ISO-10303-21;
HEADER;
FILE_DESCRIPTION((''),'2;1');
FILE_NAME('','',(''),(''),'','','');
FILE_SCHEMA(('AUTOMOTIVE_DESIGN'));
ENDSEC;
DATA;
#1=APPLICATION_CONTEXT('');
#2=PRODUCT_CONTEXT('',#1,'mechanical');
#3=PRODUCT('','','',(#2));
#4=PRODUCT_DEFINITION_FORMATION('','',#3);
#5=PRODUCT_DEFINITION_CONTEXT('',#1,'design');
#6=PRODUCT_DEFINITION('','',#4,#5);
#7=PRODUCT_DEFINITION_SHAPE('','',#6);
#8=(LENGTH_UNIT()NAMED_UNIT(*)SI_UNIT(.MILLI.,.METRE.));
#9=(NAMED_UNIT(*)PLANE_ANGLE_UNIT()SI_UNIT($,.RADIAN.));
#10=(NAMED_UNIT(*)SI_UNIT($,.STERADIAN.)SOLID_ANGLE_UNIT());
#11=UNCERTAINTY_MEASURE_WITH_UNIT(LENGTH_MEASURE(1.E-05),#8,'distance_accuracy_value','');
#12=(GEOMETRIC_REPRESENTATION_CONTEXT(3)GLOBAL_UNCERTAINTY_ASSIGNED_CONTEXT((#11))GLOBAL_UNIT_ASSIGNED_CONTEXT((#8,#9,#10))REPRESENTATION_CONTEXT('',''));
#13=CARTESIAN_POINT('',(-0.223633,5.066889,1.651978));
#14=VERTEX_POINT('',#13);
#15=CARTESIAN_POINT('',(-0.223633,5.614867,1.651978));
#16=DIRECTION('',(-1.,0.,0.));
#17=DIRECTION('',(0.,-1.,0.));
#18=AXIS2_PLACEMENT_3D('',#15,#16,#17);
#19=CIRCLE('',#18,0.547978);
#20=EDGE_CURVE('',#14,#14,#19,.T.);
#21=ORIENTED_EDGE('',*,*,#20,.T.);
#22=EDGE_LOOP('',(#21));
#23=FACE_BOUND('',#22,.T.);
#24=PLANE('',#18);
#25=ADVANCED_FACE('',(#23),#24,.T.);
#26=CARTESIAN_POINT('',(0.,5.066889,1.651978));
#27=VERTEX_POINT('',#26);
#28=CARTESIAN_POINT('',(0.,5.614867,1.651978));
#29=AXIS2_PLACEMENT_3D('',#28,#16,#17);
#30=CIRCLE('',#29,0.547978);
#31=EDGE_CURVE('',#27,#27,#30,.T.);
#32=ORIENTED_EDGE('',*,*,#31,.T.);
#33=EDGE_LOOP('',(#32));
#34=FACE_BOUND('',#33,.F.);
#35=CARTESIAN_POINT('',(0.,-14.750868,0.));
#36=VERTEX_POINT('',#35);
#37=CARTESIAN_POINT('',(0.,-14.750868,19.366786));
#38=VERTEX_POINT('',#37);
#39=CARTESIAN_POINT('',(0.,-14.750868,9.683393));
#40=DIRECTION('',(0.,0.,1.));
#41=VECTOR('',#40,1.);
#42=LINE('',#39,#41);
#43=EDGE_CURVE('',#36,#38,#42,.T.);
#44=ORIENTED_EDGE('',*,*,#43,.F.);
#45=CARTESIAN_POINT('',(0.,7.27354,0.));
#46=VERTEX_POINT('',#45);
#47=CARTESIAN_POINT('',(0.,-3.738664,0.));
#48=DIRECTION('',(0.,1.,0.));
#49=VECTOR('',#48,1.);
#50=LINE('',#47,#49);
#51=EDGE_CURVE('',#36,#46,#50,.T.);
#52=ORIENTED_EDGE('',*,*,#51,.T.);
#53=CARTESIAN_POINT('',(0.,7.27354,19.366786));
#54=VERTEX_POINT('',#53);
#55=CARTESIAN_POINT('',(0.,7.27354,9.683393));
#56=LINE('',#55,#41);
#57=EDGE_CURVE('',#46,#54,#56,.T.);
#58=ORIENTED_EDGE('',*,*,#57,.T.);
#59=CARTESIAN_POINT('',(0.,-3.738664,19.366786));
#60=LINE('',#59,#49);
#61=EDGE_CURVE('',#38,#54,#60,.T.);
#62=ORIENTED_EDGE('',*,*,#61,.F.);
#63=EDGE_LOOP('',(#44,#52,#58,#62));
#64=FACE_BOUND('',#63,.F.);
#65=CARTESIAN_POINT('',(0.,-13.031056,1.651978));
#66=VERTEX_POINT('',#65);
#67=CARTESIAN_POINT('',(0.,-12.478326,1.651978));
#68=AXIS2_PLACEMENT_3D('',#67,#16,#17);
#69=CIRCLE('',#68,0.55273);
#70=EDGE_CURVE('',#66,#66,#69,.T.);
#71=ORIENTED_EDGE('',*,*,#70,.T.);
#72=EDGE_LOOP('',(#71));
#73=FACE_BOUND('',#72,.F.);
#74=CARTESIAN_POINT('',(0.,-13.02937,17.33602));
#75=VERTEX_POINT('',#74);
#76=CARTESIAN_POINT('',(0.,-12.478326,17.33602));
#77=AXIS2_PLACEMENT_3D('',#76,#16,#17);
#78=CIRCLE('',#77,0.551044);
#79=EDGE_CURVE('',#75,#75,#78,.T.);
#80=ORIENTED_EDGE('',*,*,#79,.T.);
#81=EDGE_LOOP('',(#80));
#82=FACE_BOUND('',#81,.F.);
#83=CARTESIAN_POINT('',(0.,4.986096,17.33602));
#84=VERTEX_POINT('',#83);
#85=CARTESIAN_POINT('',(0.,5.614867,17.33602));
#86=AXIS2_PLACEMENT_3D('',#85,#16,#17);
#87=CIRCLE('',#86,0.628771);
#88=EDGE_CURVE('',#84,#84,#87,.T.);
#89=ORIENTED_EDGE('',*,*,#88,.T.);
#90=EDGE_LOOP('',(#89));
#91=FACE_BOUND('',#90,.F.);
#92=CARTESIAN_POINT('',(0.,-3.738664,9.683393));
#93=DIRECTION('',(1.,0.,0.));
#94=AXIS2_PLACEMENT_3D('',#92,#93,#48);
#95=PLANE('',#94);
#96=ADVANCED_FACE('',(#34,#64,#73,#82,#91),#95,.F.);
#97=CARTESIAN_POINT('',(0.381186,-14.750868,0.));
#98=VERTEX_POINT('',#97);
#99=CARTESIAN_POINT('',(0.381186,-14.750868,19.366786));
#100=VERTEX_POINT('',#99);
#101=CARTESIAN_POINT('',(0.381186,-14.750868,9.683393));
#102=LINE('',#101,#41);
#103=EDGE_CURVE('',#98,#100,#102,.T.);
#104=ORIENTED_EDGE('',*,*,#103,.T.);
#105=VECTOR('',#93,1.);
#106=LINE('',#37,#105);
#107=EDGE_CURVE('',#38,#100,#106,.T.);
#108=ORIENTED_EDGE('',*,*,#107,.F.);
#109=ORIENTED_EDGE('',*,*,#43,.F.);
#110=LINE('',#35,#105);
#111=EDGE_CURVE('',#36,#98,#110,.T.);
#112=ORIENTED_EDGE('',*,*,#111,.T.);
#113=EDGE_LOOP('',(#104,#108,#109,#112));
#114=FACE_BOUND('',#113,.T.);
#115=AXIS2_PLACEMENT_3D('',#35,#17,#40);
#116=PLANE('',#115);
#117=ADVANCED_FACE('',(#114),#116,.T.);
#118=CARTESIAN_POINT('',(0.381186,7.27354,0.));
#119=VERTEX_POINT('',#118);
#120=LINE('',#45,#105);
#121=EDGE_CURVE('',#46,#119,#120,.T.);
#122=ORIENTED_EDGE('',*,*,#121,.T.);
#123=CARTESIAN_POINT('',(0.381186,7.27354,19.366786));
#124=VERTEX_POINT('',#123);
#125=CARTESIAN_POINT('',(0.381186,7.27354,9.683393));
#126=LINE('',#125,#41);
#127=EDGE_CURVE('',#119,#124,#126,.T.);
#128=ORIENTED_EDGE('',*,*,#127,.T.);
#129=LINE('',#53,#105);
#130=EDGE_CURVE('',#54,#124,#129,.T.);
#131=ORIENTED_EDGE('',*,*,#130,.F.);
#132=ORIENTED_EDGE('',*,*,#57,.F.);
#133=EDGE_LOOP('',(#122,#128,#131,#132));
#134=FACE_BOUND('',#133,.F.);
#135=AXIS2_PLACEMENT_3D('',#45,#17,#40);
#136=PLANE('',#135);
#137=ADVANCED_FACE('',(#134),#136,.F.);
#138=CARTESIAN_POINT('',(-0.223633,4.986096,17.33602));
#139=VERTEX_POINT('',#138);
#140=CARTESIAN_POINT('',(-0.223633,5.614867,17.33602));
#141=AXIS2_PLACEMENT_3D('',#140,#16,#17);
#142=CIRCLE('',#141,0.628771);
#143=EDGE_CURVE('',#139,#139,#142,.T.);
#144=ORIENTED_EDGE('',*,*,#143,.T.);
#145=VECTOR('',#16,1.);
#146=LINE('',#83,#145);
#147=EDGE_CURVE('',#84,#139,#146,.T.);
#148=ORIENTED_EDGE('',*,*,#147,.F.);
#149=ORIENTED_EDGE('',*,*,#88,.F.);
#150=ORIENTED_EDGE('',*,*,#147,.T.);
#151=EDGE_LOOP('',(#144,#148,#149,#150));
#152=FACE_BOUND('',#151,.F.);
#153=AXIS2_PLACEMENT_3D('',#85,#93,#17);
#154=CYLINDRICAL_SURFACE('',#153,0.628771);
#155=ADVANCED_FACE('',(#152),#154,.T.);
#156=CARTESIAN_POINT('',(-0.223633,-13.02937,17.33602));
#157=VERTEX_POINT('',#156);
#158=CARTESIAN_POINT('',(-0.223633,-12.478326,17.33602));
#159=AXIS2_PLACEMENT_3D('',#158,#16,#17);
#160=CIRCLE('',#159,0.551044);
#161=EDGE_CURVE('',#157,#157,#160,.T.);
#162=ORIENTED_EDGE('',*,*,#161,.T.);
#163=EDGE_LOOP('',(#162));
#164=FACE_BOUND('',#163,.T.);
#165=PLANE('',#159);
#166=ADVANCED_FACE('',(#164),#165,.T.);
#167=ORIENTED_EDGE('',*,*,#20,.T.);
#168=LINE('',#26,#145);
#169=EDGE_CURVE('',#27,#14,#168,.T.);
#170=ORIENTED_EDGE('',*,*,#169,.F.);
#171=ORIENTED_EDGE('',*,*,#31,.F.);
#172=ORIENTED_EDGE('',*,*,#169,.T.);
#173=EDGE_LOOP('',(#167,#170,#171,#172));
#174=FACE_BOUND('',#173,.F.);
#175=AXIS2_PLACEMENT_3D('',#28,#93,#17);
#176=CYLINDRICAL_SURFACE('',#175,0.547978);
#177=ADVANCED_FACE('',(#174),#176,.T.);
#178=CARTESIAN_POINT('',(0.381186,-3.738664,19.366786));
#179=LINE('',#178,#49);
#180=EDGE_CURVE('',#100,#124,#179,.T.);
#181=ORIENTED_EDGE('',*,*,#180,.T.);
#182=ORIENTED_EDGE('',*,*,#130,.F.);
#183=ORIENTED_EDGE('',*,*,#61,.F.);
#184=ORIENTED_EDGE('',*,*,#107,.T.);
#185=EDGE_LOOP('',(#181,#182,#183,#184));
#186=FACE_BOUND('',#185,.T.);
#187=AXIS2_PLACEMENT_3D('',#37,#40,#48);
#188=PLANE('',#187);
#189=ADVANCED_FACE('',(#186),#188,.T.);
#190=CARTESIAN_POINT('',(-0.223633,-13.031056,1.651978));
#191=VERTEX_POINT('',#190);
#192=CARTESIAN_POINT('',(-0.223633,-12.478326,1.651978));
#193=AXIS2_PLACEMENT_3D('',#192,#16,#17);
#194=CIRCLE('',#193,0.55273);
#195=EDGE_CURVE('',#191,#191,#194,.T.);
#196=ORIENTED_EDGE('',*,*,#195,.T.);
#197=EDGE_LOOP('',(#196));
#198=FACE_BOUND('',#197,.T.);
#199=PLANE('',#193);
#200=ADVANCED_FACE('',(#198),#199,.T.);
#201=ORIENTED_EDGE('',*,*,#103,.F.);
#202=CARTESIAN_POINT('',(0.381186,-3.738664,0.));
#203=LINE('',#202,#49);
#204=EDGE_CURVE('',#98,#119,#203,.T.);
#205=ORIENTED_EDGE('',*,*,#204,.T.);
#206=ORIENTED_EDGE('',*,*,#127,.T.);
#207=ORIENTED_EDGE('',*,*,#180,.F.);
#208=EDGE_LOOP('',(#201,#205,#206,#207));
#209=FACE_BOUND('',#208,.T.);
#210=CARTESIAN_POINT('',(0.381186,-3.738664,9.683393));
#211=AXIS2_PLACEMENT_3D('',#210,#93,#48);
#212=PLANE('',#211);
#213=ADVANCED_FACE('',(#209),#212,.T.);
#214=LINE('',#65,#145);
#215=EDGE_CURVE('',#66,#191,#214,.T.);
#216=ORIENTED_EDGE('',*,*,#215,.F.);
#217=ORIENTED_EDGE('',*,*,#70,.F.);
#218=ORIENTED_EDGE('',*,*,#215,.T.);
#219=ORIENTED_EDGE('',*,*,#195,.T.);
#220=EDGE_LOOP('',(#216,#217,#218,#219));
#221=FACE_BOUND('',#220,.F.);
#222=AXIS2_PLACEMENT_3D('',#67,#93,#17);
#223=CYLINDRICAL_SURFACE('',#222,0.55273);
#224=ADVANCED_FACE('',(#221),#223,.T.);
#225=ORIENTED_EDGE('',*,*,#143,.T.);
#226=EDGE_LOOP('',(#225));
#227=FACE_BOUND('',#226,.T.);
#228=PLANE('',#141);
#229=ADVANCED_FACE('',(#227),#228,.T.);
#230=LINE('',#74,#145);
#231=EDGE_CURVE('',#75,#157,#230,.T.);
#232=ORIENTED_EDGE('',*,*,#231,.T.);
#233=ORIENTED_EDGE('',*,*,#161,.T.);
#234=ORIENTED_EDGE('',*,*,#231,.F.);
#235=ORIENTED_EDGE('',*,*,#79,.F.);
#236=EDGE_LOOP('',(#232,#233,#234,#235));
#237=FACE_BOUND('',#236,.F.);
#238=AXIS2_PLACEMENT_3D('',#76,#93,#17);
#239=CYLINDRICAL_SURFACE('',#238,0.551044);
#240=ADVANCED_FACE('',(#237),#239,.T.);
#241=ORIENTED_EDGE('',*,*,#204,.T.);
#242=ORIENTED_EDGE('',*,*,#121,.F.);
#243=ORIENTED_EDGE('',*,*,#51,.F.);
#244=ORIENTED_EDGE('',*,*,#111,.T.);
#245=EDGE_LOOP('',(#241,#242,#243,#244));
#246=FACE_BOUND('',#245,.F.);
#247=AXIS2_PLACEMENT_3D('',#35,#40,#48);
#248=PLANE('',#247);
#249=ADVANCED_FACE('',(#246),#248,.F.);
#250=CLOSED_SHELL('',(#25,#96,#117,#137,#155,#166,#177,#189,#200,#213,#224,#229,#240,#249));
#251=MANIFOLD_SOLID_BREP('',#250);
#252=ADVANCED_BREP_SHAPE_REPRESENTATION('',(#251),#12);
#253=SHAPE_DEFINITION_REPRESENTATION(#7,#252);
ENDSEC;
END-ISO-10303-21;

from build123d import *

# Parameters (mm, degrees)
F0_W     = 22.024408
F0_H     = 19.366786
F1_DEPTH = 0.381186
F2_R     = 0.551044
F2_R_2   = 0.628771
F2_R_3   = 0.547978
F2_R_4   = 0.55273
F3_DEPTH = 0.223633


with BuildPart() as f1:
    # F0 (on Right) → F1 (new body)
    with BuildSketch(Plane.YZ):
        with Locations((-3.738664, 9.683393)):
            Rectangle(F0_W, F0_H)
    extrude(amount=F1_DEPTH)

    # F2 (on face) → F3 (join)
    with BuildSketch(Plane(origin=(0, 0, 0), x_dir=(0, -1, 0), z_dir=(-1, 0, 0))):
        with Locations((12.478326, 17.33602)):
            Circle(F2_R)
        with Locations((-5.614867, 17.33602)):
            Circle(F2_R_2)
        with Locations((-5.614867, 1.651978)):
            Circle(F2_R_3)
        with Locations((12.478326, 1.651978)):
            Circle(F2_R_4)
    extrude(amount=F3_DEPTH)


solid = f1.part
